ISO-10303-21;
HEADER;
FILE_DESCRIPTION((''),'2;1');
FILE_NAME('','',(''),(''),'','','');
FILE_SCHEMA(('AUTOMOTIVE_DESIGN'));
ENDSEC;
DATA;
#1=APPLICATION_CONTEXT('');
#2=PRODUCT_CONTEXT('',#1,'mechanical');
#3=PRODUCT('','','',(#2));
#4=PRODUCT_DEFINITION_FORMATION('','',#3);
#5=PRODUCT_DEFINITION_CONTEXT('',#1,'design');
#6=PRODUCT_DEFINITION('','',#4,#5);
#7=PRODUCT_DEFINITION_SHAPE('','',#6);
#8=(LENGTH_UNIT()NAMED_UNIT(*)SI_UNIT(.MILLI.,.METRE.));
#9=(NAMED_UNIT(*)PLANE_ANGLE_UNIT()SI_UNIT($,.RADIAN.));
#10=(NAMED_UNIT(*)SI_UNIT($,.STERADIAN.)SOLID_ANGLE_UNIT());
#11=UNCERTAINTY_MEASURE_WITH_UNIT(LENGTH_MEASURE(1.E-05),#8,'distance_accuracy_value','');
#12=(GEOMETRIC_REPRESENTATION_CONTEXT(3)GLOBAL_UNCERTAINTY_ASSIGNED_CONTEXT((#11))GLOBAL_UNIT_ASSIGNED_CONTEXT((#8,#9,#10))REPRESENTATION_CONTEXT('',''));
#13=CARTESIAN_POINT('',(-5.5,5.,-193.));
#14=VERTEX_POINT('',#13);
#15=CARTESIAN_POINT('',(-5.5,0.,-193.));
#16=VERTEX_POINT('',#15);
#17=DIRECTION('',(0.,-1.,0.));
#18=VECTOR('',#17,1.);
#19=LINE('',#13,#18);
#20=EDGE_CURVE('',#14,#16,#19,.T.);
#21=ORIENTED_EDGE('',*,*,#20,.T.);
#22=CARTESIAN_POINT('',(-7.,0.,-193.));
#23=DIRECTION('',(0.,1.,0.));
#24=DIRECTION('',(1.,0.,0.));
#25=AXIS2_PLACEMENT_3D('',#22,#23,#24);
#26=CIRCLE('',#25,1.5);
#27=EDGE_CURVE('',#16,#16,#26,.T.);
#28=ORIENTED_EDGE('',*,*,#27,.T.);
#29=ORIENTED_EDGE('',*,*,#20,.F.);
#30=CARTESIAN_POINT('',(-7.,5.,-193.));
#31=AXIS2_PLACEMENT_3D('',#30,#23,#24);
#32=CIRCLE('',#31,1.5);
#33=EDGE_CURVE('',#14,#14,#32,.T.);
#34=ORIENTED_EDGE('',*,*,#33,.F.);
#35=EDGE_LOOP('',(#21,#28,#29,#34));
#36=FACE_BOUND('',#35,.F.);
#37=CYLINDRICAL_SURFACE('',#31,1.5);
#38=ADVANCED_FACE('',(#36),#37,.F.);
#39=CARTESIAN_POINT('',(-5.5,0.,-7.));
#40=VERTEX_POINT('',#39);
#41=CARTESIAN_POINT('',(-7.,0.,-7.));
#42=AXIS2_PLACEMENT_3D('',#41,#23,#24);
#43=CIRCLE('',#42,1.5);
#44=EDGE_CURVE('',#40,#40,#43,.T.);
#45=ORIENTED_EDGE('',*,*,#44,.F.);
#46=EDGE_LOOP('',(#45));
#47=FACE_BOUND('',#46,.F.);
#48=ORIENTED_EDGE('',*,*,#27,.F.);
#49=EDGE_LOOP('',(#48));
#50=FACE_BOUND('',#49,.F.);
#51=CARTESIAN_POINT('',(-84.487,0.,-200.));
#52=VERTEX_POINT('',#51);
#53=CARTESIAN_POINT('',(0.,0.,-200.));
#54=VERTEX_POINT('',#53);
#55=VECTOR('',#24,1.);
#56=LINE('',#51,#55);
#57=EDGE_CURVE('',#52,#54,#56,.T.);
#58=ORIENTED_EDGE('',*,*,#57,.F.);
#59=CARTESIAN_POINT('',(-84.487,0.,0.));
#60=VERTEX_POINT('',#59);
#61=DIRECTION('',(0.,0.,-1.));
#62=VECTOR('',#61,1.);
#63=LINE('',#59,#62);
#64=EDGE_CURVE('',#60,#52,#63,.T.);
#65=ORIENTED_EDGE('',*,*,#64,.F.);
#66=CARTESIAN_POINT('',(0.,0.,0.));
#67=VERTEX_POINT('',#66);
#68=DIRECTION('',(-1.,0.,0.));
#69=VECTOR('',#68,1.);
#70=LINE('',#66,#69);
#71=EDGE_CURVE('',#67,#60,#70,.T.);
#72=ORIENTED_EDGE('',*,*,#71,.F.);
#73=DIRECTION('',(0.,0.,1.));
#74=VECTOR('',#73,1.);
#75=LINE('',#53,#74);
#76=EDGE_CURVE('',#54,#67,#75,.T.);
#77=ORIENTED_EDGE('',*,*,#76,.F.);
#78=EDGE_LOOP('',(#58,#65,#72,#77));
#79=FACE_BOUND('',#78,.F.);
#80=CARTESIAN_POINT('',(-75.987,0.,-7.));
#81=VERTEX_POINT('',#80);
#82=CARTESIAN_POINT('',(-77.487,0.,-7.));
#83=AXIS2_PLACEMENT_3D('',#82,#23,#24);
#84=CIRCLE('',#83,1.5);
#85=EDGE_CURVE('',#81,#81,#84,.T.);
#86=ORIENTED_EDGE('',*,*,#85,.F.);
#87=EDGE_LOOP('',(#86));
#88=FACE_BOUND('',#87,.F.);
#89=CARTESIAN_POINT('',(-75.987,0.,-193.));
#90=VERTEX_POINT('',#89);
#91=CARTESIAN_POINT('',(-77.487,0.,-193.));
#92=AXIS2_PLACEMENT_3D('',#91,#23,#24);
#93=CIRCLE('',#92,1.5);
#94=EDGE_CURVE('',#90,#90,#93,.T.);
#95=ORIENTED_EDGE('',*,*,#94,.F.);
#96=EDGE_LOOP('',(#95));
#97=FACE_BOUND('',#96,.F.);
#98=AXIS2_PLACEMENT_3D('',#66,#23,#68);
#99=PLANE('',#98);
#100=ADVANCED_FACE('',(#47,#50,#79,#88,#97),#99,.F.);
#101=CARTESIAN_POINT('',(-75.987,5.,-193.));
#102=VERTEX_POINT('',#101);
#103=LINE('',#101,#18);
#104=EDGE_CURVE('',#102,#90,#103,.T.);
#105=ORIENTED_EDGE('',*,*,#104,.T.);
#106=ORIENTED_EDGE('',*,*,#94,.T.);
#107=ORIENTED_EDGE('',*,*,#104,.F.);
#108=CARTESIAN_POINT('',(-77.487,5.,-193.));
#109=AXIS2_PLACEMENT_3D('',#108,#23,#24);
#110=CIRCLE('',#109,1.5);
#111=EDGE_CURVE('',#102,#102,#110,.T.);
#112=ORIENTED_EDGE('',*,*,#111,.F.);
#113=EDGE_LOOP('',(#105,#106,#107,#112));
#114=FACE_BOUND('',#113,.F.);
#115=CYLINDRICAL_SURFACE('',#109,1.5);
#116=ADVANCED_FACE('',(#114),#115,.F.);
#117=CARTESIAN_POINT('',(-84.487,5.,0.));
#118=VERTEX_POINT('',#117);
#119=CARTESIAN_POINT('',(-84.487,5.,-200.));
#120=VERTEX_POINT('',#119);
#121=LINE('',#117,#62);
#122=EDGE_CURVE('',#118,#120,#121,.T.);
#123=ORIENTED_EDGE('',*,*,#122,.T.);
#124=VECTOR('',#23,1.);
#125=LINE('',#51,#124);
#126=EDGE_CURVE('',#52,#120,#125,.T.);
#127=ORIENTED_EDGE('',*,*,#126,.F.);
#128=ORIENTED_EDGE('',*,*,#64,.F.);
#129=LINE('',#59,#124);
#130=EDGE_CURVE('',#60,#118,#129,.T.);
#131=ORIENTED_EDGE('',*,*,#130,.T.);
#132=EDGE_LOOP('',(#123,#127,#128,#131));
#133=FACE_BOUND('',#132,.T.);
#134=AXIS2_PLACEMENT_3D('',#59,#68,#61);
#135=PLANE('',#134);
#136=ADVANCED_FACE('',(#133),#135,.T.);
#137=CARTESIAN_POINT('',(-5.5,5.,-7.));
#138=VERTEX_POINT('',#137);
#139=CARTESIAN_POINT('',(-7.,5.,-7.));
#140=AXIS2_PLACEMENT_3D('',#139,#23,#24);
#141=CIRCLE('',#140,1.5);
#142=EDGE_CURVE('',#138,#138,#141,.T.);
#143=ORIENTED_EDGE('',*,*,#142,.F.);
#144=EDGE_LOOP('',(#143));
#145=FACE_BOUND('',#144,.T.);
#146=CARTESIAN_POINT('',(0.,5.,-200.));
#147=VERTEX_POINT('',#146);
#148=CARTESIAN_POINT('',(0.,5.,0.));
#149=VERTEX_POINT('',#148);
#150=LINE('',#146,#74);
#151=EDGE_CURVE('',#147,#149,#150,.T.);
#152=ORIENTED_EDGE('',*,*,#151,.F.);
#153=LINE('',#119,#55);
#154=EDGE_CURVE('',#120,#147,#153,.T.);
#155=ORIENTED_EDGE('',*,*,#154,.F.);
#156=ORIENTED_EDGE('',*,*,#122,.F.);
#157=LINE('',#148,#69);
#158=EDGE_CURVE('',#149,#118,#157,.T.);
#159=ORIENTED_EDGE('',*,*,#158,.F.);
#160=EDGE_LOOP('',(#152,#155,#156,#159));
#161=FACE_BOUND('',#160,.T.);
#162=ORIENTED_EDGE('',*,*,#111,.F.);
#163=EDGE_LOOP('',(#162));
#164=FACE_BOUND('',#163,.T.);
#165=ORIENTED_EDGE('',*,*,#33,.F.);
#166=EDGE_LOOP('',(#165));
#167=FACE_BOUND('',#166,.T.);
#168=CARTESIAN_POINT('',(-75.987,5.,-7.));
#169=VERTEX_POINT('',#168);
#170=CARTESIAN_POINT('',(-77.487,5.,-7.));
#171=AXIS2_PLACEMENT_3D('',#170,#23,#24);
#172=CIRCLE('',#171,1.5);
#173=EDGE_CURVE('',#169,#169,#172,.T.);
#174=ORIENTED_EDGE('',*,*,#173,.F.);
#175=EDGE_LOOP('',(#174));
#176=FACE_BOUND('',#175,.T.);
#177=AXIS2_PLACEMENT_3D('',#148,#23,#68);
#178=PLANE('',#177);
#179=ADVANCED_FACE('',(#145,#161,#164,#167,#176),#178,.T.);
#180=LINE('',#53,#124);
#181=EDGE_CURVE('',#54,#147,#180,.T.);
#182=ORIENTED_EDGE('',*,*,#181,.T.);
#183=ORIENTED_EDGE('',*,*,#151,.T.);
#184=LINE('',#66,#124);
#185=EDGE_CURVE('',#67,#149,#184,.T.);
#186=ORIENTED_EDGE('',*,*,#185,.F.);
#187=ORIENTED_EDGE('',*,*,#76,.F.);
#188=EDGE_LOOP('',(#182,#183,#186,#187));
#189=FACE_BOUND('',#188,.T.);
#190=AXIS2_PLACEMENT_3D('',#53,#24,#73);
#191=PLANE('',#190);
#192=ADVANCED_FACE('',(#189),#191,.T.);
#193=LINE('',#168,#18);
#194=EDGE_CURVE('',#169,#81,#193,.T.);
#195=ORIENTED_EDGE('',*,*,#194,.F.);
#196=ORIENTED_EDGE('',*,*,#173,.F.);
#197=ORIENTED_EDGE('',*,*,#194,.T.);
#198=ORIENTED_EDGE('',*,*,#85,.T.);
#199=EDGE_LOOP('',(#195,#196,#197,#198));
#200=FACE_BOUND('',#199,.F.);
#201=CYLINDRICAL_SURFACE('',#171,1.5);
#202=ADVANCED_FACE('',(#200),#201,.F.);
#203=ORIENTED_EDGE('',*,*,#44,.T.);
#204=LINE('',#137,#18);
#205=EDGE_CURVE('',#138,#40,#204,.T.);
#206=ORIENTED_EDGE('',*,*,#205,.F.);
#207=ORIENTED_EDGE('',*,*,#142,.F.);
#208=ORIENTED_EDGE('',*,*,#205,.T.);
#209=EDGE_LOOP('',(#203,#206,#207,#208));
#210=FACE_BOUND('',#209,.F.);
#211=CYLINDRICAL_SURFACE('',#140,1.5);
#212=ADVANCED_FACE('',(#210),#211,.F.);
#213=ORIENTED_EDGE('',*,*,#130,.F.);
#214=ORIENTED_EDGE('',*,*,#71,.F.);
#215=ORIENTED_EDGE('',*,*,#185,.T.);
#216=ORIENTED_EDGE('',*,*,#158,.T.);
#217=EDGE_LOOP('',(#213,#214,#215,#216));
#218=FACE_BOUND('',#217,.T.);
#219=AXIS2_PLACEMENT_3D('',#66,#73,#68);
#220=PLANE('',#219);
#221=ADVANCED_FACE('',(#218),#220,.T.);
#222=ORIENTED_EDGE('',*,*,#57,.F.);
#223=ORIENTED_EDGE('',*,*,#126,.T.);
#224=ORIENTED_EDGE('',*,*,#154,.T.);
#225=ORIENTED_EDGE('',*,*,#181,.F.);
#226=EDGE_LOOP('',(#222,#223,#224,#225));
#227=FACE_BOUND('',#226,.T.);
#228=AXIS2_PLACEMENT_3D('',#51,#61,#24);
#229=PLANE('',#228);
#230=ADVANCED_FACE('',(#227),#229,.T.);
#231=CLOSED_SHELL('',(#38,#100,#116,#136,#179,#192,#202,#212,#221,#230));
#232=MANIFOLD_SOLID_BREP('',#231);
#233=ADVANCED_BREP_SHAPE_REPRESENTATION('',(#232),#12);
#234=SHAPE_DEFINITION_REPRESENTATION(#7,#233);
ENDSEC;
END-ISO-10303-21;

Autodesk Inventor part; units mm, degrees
ref_plane "YZ Plane" through (0, 0, 0) normal (1, 0, 0) x (0, 1, 0)
ref_plane "XZ Plane" through (0, 0, 0) normal (0, 1, 0) x (-1, 0, 0)
ref_plane "XY Plane" through (0, 0, 0) normal (0, 0, 1) x (1, 0, 0)
sketch "Sketch1" plane through (0, 0, 0) normal (0, 1, 0) x (-1, 0, 0)
  line L0 (0, 0) -> (84.487, 0)
  line L1 (84.487, 0) -> (84.487, -200)
  line L2 (84.487, -200) -> (0, -200)
  line L3 (0, -200) -> (0, 0)
extrude "Extrusion1" add sketch "Sketch1" along normal blind 5
sketch "Sketch2" plane through (0, 5, 0) normal (0, 1, 0) x (1, 0, 0)
  circle A0 centre (-7, 7) radius 1.5
  circle A1 centre (-77.487, 7) radius 1.5
  circle A2 centre (-77.487, 193) radius 1.5
  circle A3 centre (-7, 193) radius 1.5
  line L0 (-84.487, 200) -> (-84.487, 0) projected
  line L1 (-84.487, 0) -> (0, 0) projected
  line L2 (0, 0) -> (0, 200) projected
  line L3 (0, 200) -> (-84.487, 200) projected
  dimension "d4" = 3
  dimension "d5" = 3
  dimension "d6" = 3
  dimension "d7" = 3
  dimension "d8" = 7
  dimension "d9" = 7
  dimension "d10" = 7
  dimension "d11" = 7
  dimension "d12" = 7
  dimension "d13" = 7
  dimension "d14" = 7
  dimension "d15" = 7
extrude "Extrusion2" cut sketch "Sketch2" against normal blind 5 contours A0 | A1 | A2 | A3
equation "\"d9\" = d8"
equation "\"d10\" = d8"
equation "\"d11\" = d8"
equation "\"d12\" = d8"
equation "\"d13\" = d8"
equation "\"d14\" = d8"
equation "\"d15\" = d8"
properties part number "Tutup_system"
